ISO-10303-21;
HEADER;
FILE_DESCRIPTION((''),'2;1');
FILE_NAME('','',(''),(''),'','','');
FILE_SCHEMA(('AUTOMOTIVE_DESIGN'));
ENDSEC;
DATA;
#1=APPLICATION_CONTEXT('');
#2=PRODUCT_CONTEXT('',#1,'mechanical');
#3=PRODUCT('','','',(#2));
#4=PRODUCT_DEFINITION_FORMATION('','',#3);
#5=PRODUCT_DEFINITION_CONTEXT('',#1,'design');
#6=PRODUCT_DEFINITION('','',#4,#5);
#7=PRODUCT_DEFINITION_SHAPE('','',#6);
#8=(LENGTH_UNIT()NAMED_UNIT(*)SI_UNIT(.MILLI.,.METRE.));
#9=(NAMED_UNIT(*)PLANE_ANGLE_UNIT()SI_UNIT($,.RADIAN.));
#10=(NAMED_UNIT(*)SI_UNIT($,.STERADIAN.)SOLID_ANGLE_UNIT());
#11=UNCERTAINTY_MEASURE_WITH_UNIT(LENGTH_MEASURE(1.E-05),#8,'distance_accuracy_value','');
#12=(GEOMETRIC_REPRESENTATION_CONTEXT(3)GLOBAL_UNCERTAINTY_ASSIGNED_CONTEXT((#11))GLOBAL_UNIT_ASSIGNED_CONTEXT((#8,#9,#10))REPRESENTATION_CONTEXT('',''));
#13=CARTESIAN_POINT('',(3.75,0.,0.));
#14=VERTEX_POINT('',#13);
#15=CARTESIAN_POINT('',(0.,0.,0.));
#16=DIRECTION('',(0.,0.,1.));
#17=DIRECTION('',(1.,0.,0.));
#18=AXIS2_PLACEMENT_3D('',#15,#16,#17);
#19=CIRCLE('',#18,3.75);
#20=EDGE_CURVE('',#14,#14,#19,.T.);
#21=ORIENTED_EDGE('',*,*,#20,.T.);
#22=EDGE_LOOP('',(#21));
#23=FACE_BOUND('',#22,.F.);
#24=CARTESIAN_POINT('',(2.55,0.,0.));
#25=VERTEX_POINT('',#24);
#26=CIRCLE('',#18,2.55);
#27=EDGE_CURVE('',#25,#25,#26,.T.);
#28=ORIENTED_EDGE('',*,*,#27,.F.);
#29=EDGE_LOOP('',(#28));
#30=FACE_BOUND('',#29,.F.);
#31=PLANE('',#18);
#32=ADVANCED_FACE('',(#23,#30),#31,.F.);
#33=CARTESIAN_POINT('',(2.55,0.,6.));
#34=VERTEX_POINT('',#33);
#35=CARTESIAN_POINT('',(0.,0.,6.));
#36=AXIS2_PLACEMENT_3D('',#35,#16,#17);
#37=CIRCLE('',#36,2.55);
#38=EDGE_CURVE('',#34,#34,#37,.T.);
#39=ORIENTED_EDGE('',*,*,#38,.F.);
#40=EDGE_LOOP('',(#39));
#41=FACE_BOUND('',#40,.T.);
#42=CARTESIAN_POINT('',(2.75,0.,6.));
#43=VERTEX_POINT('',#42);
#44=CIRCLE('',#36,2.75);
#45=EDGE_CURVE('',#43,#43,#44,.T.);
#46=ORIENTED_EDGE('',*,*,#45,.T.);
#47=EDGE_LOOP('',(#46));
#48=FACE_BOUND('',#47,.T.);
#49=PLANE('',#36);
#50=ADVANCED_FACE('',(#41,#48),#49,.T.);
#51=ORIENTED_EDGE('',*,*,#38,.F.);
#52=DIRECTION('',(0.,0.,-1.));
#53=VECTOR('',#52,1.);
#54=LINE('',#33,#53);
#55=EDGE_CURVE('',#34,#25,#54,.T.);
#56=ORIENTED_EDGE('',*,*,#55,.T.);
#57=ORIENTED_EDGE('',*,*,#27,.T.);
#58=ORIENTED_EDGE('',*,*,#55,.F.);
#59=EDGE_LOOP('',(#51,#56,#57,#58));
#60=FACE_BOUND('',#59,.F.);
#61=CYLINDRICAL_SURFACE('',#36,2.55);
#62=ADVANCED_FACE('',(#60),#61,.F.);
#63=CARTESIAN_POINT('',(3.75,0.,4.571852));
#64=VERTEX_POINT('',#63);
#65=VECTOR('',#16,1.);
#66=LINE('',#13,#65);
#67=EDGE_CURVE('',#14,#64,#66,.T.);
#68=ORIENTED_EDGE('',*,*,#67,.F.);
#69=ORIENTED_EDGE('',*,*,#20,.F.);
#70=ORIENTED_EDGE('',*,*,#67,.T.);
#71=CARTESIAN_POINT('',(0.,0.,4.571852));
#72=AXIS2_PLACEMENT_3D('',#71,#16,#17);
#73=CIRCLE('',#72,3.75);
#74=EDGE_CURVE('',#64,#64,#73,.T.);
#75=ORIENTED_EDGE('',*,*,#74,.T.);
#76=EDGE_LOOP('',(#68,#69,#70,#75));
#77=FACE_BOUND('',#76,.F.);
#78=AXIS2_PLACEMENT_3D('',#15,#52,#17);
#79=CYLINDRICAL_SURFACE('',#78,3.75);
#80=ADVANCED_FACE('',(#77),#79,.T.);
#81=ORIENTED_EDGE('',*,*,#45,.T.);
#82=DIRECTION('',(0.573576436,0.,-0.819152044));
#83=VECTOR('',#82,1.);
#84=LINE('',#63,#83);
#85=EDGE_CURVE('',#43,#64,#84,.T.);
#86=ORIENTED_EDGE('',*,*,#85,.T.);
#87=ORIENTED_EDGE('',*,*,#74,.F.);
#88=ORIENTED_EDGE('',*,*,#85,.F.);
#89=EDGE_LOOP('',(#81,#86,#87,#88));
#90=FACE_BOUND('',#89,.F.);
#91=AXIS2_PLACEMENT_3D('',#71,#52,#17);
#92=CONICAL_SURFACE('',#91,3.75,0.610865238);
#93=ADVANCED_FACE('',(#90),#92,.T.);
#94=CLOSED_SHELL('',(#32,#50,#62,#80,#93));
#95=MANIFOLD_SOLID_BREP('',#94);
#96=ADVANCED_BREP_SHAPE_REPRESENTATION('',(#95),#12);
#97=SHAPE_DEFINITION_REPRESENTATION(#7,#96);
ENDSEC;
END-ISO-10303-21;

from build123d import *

# Parameters (mm, degrees)
F0_R     = 3.75
F1_DEPTH = 6
F2_R     = 2.55
F3_DEPTH = 6
F4_SIZE2 = 1.4281480067
F4_SIZE  = 1


with BuildPart() as f1:
    # F0 (on Top) → F1 (new body)
    with BuildSketch(Plane.XY):
        Circle(F0_R)
    extrude(amount=F1_DEPTH)

    # F2 (on face) → F3 (cut, through all)
    with BuildSketch(Plane.XY.offset(6)):
        Circle(F2_R)
    extrude(amount=-F3_DEPTH, mode=Mode.SUBTRACT)

    # F4
    f4_edges = [f1.edges().sort_by_distance(p)[0] for p in [
        (-3.75, 0, 6),
    ]]
    f4_side = f1.faces().sort_by_distance((-3.643934, 0, 6))[0]
    chamfer(f4_edges, length=F4_SIZE, length2=F4_SIZE2, reference=f4_side)


solid = f1.part
